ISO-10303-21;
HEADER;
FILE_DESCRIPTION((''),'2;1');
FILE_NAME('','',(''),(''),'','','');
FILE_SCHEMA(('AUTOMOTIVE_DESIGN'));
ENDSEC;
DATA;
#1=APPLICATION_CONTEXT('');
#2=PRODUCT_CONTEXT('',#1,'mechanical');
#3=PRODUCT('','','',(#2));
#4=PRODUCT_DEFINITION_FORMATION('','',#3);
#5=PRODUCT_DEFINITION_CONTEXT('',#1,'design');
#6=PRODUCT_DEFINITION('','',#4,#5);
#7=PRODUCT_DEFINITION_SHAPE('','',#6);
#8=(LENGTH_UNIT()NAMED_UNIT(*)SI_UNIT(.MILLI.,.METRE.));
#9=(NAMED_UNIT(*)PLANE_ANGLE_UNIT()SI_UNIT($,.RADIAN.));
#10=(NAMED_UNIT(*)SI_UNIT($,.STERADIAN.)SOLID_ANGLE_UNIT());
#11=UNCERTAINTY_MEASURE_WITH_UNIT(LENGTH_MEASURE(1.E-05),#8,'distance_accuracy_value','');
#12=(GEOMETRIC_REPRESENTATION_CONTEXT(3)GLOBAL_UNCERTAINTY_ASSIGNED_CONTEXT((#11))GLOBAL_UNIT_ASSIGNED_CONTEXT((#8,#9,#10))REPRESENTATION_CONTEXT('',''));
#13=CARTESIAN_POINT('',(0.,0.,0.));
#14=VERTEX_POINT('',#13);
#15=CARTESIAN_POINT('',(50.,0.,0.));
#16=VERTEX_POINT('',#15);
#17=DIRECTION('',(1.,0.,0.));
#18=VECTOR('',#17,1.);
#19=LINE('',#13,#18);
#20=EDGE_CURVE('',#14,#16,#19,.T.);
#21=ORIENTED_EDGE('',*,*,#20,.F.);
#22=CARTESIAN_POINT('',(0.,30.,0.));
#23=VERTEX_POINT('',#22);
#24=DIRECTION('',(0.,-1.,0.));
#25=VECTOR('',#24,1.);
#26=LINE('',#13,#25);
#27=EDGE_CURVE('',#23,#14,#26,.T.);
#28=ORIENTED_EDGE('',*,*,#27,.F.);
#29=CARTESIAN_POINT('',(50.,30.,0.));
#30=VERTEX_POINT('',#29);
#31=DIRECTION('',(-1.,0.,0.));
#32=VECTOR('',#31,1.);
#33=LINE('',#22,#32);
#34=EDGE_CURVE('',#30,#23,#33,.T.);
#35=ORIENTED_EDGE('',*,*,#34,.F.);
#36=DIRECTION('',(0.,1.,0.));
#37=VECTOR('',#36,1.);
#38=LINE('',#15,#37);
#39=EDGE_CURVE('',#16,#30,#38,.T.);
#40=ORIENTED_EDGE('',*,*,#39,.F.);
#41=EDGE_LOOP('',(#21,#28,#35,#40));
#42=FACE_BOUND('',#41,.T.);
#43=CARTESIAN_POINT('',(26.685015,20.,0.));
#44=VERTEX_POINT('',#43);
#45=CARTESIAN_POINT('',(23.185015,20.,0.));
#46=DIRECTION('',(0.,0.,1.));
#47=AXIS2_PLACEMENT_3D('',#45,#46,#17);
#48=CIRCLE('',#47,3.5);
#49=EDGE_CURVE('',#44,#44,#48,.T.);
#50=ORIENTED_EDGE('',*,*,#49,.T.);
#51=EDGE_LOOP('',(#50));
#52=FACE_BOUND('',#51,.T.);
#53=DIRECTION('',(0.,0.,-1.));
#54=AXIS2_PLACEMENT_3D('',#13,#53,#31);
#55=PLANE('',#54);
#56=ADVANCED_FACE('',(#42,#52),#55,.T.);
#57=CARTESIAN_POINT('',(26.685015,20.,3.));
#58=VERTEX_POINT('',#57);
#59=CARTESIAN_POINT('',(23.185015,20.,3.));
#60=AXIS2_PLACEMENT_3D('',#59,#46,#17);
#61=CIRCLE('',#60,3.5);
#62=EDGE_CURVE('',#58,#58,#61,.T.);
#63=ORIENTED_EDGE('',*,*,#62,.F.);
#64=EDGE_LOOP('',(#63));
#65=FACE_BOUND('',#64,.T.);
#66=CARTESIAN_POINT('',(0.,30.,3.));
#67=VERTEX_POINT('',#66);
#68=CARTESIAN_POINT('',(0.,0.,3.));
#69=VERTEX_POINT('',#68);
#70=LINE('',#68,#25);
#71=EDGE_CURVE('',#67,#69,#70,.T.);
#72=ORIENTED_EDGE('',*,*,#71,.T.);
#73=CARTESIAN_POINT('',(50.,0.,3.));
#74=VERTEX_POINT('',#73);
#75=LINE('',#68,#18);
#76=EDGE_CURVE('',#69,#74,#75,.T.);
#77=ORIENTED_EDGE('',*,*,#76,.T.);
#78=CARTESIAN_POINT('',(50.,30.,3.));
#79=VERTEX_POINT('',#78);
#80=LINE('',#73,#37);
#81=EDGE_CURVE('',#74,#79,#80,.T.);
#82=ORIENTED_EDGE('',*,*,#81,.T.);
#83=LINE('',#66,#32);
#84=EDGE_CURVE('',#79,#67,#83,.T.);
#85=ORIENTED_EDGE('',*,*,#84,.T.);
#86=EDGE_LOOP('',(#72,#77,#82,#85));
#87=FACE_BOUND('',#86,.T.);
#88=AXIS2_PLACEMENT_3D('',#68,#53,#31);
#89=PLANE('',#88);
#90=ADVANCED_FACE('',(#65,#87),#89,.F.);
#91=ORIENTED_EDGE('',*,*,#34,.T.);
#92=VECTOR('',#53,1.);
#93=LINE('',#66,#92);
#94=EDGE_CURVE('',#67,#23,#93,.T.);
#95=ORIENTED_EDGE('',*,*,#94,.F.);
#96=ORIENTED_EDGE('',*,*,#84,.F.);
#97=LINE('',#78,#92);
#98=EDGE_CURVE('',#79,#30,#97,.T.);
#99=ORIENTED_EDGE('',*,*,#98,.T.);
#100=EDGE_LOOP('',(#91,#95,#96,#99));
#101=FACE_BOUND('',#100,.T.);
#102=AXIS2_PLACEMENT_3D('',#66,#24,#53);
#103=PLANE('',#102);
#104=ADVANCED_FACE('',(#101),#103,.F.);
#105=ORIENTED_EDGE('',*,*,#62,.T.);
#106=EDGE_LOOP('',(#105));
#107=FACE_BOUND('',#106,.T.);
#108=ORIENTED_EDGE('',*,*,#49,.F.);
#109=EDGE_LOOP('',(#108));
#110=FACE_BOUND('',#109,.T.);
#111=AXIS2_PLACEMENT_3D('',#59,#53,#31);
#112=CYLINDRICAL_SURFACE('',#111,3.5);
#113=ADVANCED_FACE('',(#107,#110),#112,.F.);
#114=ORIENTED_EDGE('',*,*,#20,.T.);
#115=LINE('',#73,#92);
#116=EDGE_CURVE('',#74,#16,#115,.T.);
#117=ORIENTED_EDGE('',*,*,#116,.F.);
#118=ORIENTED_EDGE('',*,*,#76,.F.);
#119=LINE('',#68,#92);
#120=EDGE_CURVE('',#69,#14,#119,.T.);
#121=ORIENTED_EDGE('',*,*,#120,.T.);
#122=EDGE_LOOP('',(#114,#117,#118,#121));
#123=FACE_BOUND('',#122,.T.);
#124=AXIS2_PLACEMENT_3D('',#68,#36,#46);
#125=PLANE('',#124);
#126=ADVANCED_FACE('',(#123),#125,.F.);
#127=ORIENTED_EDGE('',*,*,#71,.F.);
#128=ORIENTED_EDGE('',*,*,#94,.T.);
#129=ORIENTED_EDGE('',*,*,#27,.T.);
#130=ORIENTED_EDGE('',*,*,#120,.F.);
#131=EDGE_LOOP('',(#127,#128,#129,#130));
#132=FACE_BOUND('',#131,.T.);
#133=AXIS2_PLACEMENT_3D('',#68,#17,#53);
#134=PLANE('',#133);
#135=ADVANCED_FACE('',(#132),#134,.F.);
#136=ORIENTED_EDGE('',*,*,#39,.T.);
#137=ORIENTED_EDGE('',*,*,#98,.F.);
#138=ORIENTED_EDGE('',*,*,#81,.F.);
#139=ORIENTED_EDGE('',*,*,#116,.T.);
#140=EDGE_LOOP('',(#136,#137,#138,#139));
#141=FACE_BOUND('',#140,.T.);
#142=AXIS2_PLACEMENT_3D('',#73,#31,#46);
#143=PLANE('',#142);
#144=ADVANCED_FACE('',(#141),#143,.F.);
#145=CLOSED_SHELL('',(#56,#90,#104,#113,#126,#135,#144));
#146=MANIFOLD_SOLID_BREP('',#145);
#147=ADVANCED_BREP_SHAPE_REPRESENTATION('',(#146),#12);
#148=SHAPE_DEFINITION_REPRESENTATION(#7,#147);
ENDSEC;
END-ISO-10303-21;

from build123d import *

# Parameters (mm, degrees)
ESQUISSE1_W        = 50
ESQUISSE1_H        = 30
ESQUISSE1_R        = 3.5
BOSS_EXTRU_1_DEPTH = 3


with BuildPart() as part:
    # Esquisse1 → Boss.-Extru.1 (new body)
    with BuildSketch(Plane.XY):
        with Locations((25, 15)):
            Rectangle(ESQUISSE1_W, ESQUISSE1_H)
        with Locations((23.185014848, 20)):
            Circle(ESQUISSE1_R, mode=Mode.SUBTRACT)
    extrude(amount=BOSS_EXTRU_1_DEPTH)


solid = part.part
